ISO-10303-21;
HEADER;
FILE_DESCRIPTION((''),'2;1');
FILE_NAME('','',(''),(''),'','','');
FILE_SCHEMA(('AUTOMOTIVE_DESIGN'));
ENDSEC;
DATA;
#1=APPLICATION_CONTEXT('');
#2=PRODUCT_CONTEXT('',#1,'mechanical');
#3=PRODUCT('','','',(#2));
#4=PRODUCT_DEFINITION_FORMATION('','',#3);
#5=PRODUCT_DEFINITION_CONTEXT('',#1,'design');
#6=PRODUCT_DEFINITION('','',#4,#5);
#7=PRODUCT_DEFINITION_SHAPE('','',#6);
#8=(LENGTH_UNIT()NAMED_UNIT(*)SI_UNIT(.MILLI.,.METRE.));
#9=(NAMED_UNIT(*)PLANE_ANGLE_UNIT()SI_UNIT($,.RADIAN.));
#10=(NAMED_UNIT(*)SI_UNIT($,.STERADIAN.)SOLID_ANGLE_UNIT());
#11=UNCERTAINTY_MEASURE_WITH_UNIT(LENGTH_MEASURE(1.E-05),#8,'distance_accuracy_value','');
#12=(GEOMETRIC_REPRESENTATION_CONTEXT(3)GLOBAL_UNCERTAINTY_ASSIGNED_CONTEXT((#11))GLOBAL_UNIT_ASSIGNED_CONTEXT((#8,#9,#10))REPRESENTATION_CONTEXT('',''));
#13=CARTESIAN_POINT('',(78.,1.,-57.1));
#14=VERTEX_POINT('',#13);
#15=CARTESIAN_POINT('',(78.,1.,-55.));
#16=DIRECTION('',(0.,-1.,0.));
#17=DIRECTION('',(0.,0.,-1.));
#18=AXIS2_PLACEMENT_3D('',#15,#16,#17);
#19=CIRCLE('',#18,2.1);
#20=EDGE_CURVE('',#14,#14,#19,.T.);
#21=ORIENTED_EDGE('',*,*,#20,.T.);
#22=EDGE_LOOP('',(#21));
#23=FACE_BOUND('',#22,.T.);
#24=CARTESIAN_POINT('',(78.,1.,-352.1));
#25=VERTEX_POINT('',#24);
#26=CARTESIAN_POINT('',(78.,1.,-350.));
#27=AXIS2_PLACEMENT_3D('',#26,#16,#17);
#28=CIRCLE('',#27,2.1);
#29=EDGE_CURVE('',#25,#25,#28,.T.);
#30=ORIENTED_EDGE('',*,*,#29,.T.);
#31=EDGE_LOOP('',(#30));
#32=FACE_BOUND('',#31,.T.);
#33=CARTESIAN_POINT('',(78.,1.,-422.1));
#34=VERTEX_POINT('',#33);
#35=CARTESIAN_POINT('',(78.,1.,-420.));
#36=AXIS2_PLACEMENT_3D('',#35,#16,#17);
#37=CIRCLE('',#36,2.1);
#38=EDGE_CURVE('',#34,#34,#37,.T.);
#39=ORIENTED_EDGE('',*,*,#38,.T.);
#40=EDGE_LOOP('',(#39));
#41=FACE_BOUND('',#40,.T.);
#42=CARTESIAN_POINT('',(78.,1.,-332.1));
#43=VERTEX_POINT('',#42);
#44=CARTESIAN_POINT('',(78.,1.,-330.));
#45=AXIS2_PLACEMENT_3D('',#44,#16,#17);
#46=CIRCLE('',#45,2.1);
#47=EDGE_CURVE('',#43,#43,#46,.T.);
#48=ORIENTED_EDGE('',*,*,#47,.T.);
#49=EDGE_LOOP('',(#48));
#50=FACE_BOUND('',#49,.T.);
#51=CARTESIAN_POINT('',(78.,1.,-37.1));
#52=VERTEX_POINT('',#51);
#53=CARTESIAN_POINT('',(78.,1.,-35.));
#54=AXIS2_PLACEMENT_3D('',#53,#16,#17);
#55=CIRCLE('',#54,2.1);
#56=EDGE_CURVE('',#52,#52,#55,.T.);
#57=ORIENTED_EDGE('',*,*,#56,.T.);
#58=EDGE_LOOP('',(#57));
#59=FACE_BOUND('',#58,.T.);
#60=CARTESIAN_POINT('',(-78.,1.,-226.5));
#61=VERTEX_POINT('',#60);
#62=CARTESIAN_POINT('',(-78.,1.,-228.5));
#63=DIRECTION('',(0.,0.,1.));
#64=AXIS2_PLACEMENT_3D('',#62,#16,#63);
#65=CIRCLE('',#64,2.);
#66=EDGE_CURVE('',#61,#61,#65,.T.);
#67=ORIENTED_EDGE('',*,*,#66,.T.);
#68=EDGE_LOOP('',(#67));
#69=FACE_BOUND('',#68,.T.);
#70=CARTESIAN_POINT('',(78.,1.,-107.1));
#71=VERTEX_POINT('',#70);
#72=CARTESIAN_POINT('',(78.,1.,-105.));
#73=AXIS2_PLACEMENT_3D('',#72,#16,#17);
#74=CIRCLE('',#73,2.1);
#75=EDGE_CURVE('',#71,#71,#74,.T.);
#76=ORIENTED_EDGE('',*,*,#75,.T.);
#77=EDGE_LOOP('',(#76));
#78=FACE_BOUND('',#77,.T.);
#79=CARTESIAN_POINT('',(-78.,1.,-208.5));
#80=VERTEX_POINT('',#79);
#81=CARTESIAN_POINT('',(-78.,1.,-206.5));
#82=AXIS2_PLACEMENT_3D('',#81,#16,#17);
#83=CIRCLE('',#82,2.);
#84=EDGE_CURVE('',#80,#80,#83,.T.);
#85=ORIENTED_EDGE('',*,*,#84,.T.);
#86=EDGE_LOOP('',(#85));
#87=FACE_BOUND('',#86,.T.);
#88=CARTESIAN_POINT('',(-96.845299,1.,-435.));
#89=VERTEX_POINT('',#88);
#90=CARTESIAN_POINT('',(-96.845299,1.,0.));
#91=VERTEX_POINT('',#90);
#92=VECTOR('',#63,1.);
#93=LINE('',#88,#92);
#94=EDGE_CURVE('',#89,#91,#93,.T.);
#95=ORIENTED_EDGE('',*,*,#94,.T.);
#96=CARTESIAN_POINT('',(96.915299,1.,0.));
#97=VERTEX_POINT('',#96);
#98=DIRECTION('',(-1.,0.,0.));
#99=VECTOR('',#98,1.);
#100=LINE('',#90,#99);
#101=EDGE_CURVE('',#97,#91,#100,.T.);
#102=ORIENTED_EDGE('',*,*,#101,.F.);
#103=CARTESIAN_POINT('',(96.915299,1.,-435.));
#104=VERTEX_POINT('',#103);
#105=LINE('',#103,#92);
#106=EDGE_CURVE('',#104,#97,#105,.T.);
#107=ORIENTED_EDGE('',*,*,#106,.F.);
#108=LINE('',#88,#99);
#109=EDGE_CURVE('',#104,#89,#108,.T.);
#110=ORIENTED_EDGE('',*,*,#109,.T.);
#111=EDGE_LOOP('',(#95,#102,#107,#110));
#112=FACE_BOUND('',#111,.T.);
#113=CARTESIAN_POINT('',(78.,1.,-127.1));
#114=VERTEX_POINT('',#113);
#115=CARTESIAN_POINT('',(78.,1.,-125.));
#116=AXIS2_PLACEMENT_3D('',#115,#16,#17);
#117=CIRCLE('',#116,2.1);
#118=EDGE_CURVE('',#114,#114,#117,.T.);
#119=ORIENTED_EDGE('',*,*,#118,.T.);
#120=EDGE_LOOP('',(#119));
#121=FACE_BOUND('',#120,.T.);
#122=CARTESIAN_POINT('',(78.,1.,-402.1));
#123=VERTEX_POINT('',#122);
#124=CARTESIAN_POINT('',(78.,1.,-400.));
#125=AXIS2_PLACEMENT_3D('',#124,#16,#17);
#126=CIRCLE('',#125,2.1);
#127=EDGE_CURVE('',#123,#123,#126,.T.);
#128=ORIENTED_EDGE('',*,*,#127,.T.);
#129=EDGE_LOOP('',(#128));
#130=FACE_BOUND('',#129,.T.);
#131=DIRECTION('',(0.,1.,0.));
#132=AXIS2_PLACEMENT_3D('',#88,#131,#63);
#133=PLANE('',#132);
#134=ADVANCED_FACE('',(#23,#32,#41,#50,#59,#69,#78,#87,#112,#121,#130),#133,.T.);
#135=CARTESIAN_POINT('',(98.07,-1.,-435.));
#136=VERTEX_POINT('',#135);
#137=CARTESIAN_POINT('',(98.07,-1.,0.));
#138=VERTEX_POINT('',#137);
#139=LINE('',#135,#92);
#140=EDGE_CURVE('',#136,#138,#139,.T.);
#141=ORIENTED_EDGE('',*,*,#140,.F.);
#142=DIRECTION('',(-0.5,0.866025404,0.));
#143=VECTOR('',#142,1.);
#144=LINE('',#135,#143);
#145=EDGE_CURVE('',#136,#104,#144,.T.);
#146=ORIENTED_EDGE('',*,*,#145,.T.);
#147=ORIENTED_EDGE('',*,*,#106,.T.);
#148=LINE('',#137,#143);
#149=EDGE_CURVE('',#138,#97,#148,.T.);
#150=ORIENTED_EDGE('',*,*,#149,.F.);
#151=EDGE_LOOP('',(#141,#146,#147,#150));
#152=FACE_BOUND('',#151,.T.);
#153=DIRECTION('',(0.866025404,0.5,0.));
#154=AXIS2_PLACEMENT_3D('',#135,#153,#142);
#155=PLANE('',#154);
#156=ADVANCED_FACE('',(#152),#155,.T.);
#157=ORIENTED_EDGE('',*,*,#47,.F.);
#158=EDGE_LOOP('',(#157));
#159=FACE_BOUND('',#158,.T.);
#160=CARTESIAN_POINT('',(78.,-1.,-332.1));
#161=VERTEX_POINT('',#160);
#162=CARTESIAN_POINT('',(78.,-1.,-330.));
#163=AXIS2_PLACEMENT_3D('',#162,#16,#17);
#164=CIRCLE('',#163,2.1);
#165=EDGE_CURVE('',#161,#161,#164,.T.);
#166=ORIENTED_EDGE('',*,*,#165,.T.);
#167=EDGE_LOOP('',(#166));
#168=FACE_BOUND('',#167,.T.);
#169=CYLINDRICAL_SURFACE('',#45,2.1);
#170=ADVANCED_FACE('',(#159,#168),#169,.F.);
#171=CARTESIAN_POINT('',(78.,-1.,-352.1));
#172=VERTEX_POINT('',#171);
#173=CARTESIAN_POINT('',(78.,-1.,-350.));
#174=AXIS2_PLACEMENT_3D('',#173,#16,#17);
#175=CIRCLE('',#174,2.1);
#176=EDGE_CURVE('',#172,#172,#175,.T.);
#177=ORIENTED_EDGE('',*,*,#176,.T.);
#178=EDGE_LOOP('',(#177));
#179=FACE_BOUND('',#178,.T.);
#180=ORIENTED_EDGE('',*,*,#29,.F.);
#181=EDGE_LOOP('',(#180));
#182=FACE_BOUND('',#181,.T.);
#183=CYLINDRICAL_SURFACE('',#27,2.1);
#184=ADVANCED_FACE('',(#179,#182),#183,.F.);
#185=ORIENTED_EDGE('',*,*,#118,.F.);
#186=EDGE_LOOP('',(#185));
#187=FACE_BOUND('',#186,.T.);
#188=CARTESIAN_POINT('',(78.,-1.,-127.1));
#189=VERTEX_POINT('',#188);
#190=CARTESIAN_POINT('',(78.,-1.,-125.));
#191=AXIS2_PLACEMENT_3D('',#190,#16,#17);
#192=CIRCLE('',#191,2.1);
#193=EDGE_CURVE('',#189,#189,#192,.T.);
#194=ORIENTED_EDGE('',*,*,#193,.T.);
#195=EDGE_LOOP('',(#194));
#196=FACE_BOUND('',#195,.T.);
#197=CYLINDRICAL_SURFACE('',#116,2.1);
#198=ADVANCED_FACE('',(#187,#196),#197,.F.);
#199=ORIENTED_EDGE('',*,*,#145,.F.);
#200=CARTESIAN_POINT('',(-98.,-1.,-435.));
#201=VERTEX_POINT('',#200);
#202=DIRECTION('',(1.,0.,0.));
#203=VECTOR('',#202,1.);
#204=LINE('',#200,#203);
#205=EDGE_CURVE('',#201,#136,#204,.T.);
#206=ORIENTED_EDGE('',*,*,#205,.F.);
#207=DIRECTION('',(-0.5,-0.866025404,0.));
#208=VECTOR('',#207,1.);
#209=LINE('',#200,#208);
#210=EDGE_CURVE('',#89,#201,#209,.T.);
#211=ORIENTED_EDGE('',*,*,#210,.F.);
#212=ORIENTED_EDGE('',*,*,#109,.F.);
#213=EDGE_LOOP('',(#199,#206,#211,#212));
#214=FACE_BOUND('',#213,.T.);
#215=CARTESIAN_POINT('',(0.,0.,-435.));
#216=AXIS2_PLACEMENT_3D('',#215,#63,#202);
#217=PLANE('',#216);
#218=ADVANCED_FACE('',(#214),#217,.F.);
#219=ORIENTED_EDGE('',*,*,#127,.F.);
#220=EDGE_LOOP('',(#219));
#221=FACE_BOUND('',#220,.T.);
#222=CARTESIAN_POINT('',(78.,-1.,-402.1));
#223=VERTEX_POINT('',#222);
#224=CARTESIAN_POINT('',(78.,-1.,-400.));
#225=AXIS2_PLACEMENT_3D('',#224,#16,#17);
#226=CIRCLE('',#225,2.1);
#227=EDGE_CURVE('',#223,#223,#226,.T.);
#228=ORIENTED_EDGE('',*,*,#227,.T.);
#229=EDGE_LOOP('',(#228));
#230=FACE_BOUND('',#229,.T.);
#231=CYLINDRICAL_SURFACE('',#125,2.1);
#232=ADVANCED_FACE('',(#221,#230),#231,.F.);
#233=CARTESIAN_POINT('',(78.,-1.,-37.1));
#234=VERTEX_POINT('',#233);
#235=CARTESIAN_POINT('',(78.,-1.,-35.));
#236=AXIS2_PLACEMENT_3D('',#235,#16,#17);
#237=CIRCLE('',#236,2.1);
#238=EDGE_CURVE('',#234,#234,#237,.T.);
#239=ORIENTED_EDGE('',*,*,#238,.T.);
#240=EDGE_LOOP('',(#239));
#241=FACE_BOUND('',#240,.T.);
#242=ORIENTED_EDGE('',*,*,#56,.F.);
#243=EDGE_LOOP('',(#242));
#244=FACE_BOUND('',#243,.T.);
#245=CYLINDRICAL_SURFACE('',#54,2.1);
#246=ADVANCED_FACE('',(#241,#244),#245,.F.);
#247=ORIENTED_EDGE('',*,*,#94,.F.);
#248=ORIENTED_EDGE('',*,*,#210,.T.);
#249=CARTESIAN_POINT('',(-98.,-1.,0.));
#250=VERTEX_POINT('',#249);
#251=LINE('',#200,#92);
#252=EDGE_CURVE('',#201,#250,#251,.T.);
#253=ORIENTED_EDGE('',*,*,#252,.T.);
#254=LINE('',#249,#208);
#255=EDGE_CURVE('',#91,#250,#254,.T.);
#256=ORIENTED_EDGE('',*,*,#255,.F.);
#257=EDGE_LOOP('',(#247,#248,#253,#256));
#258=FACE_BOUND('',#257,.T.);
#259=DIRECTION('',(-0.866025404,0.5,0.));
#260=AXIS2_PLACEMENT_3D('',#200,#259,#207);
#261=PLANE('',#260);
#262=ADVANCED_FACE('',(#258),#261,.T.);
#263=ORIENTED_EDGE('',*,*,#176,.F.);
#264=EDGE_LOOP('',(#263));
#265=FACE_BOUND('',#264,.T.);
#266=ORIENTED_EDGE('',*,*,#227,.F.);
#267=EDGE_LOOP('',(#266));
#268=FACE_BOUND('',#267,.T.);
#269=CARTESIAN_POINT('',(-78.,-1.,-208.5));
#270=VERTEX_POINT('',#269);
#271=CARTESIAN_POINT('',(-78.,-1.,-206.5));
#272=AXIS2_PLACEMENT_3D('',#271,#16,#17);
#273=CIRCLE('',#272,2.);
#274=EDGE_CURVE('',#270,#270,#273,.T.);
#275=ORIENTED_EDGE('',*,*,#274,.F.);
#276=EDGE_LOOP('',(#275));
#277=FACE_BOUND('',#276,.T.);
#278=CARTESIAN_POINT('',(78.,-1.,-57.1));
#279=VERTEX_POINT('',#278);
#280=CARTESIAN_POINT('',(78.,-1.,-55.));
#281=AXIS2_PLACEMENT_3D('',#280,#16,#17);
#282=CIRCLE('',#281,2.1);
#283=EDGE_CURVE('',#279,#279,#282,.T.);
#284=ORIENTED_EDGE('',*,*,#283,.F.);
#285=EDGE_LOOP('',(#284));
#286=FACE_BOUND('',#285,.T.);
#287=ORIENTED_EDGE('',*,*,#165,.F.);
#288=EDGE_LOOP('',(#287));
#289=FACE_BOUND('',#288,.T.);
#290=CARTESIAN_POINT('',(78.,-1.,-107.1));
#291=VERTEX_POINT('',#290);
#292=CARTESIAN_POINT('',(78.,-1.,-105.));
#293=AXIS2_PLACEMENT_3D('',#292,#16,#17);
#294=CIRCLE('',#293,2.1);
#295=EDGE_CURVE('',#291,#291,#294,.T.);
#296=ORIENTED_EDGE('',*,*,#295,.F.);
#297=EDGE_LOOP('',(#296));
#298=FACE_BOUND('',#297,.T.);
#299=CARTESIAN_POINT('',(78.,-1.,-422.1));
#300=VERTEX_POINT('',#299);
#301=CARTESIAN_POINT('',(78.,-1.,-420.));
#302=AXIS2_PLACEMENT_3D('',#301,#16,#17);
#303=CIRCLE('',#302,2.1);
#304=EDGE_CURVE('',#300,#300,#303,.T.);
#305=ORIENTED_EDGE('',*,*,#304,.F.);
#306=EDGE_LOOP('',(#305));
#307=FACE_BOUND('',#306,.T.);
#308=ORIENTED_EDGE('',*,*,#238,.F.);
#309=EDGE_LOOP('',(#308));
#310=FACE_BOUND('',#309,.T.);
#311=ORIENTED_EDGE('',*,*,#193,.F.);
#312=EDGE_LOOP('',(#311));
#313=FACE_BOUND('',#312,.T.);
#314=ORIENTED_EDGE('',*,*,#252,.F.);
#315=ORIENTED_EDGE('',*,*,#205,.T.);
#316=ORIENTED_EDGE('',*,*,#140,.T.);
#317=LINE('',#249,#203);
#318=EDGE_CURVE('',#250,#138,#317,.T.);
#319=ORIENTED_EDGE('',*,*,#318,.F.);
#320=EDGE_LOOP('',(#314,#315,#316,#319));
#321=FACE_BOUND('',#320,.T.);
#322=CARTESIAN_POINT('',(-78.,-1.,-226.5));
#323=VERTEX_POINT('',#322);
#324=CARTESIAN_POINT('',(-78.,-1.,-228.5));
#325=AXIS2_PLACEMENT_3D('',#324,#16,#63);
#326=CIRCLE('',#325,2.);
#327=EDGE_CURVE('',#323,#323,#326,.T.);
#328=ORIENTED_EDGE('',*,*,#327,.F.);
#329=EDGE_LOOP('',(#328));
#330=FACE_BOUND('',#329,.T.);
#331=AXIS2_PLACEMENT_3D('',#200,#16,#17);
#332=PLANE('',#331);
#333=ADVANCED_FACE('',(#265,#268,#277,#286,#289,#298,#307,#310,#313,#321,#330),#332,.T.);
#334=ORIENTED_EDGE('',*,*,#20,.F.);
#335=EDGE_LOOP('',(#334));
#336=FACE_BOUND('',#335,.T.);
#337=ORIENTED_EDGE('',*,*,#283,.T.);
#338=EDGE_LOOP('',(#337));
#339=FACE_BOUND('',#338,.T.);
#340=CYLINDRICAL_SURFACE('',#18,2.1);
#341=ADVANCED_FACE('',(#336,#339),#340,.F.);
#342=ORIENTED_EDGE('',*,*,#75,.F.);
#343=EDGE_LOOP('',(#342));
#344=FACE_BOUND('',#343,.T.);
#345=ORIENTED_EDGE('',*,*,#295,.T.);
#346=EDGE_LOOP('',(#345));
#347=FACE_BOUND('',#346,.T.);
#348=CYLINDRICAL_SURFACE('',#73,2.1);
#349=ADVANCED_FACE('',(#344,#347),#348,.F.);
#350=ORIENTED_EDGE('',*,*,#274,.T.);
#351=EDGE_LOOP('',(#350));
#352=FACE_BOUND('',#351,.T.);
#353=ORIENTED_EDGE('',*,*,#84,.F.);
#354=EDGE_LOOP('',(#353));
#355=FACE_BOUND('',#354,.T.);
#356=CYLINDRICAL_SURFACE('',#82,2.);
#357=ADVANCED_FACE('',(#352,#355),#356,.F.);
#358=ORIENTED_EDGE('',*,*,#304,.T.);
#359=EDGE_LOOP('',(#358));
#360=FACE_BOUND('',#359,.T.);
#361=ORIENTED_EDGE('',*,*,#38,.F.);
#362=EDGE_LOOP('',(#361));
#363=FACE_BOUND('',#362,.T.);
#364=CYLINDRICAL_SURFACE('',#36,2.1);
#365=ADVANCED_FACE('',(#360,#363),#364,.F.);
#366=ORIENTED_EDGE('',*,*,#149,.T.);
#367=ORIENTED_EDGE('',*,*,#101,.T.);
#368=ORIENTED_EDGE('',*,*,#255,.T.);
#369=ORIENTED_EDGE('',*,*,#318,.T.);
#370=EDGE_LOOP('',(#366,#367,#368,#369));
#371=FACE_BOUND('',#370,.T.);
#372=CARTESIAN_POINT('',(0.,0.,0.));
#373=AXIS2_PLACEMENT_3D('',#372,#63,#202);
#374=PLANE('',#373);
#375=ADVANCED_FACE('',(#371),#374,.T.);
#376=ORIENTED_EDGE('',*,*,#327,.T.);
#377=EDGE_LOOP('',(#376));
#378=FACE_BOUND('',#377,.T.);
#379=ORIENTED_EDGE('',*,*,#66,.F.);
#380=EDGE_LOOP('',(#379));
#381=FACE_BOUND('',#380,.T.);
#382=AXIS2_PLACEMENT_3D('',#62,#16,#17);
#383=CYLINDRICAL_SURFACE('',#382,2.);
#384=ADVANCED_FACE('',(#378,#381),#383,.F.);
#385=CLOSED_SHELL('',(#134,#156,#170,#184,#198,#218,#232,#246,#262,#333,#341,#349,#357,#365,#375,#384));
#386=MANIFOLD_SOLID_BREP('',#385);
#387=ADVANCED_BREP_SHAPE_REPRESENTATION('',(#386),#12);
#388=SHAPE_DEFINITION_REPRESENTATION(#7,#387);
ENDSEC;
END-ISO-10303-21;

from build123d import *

# Parameters (mm, degrees)
EXTRUDE_1_DEPTH     = 435
SKETCH_3_R          = 2.1
CUT_EXTRUDE_1_DEPTH = 446.922330569
SKETCH_6_R          = 2
CUT_EXTRUDE_2_DEPTH = 446.922330569


with BuildPart() as part:
    # 草图2 → 凸台-拉伸1 (new body)
    with BuildSketch(Plane.XY):
        Polygon((-98, -1), (-96.845299462, 1), (96.915299462, 1), (98.07, -1), align=None)
    extrude(amount=-EXTRUDE_1_DEPTH)

    # 草图3 → 切除-拉伸1 (cut, through all)
    with BuildSketch(Plane(origin=(0, -1, 0), x_dir=(-1, 0, 0), z_dir=(0, -1, 0))):
        with Locations(Location((-78, 35, 0), (0, 0, 90))):
            Circle(SKETCH_3_R)
        with Locations(Location((-78, 55, 0), (0, 0, 90))):
            Circle(SKETCH_3_R)
        with Locations(Location((-78, 105, 0), (0, 0, 90))):
            Circle(SKETCH_3_R)
        with Locations(Location((-78, 125, 0), (0, 0, 90))):
            Circle(SKETCH_3_R)
        with Locations(Location((-78, 330, 0), (0, 0, 90))):
            Circle(SKETCH_3_R)
        with Locations(Location((-78, 350, 0), (0, 0, 90))):
            Circle(SKETCH_3_R)
        with Locations(Location((-78, 400, 0), (0, 0, 90))):
            Circle(SKETCH_3_R)
        with Locations(Location((-78, 420, 0), (0, 0, 90))):
            Circle(SKETCH_3_R)
    extrude(amount=-CUT_EXTRUDE_1_DEPTH, mode=Mode.SUBTRACT)

    # 草图6 → 切除-拉伸2 (cut, through all)
    with BuildSketch(Plane(origin=(0, -1, 0), x_dir=(-1, 0, 0), z_dir=(0, -1, 0))):
        with Locations(Location((78, 206.5, 0), (0, 0, 90))):
            Circle(SKETCH_6_R)
        with Locations(Location((78, 228.5, 0), (0, 0, 270))):
            Circle(SKETCH_6_R)
    extrude(amount=-CUT_EXTRUDE_2_DEPTH, mode=Mode.SUBTRACT)


solid = part.part
